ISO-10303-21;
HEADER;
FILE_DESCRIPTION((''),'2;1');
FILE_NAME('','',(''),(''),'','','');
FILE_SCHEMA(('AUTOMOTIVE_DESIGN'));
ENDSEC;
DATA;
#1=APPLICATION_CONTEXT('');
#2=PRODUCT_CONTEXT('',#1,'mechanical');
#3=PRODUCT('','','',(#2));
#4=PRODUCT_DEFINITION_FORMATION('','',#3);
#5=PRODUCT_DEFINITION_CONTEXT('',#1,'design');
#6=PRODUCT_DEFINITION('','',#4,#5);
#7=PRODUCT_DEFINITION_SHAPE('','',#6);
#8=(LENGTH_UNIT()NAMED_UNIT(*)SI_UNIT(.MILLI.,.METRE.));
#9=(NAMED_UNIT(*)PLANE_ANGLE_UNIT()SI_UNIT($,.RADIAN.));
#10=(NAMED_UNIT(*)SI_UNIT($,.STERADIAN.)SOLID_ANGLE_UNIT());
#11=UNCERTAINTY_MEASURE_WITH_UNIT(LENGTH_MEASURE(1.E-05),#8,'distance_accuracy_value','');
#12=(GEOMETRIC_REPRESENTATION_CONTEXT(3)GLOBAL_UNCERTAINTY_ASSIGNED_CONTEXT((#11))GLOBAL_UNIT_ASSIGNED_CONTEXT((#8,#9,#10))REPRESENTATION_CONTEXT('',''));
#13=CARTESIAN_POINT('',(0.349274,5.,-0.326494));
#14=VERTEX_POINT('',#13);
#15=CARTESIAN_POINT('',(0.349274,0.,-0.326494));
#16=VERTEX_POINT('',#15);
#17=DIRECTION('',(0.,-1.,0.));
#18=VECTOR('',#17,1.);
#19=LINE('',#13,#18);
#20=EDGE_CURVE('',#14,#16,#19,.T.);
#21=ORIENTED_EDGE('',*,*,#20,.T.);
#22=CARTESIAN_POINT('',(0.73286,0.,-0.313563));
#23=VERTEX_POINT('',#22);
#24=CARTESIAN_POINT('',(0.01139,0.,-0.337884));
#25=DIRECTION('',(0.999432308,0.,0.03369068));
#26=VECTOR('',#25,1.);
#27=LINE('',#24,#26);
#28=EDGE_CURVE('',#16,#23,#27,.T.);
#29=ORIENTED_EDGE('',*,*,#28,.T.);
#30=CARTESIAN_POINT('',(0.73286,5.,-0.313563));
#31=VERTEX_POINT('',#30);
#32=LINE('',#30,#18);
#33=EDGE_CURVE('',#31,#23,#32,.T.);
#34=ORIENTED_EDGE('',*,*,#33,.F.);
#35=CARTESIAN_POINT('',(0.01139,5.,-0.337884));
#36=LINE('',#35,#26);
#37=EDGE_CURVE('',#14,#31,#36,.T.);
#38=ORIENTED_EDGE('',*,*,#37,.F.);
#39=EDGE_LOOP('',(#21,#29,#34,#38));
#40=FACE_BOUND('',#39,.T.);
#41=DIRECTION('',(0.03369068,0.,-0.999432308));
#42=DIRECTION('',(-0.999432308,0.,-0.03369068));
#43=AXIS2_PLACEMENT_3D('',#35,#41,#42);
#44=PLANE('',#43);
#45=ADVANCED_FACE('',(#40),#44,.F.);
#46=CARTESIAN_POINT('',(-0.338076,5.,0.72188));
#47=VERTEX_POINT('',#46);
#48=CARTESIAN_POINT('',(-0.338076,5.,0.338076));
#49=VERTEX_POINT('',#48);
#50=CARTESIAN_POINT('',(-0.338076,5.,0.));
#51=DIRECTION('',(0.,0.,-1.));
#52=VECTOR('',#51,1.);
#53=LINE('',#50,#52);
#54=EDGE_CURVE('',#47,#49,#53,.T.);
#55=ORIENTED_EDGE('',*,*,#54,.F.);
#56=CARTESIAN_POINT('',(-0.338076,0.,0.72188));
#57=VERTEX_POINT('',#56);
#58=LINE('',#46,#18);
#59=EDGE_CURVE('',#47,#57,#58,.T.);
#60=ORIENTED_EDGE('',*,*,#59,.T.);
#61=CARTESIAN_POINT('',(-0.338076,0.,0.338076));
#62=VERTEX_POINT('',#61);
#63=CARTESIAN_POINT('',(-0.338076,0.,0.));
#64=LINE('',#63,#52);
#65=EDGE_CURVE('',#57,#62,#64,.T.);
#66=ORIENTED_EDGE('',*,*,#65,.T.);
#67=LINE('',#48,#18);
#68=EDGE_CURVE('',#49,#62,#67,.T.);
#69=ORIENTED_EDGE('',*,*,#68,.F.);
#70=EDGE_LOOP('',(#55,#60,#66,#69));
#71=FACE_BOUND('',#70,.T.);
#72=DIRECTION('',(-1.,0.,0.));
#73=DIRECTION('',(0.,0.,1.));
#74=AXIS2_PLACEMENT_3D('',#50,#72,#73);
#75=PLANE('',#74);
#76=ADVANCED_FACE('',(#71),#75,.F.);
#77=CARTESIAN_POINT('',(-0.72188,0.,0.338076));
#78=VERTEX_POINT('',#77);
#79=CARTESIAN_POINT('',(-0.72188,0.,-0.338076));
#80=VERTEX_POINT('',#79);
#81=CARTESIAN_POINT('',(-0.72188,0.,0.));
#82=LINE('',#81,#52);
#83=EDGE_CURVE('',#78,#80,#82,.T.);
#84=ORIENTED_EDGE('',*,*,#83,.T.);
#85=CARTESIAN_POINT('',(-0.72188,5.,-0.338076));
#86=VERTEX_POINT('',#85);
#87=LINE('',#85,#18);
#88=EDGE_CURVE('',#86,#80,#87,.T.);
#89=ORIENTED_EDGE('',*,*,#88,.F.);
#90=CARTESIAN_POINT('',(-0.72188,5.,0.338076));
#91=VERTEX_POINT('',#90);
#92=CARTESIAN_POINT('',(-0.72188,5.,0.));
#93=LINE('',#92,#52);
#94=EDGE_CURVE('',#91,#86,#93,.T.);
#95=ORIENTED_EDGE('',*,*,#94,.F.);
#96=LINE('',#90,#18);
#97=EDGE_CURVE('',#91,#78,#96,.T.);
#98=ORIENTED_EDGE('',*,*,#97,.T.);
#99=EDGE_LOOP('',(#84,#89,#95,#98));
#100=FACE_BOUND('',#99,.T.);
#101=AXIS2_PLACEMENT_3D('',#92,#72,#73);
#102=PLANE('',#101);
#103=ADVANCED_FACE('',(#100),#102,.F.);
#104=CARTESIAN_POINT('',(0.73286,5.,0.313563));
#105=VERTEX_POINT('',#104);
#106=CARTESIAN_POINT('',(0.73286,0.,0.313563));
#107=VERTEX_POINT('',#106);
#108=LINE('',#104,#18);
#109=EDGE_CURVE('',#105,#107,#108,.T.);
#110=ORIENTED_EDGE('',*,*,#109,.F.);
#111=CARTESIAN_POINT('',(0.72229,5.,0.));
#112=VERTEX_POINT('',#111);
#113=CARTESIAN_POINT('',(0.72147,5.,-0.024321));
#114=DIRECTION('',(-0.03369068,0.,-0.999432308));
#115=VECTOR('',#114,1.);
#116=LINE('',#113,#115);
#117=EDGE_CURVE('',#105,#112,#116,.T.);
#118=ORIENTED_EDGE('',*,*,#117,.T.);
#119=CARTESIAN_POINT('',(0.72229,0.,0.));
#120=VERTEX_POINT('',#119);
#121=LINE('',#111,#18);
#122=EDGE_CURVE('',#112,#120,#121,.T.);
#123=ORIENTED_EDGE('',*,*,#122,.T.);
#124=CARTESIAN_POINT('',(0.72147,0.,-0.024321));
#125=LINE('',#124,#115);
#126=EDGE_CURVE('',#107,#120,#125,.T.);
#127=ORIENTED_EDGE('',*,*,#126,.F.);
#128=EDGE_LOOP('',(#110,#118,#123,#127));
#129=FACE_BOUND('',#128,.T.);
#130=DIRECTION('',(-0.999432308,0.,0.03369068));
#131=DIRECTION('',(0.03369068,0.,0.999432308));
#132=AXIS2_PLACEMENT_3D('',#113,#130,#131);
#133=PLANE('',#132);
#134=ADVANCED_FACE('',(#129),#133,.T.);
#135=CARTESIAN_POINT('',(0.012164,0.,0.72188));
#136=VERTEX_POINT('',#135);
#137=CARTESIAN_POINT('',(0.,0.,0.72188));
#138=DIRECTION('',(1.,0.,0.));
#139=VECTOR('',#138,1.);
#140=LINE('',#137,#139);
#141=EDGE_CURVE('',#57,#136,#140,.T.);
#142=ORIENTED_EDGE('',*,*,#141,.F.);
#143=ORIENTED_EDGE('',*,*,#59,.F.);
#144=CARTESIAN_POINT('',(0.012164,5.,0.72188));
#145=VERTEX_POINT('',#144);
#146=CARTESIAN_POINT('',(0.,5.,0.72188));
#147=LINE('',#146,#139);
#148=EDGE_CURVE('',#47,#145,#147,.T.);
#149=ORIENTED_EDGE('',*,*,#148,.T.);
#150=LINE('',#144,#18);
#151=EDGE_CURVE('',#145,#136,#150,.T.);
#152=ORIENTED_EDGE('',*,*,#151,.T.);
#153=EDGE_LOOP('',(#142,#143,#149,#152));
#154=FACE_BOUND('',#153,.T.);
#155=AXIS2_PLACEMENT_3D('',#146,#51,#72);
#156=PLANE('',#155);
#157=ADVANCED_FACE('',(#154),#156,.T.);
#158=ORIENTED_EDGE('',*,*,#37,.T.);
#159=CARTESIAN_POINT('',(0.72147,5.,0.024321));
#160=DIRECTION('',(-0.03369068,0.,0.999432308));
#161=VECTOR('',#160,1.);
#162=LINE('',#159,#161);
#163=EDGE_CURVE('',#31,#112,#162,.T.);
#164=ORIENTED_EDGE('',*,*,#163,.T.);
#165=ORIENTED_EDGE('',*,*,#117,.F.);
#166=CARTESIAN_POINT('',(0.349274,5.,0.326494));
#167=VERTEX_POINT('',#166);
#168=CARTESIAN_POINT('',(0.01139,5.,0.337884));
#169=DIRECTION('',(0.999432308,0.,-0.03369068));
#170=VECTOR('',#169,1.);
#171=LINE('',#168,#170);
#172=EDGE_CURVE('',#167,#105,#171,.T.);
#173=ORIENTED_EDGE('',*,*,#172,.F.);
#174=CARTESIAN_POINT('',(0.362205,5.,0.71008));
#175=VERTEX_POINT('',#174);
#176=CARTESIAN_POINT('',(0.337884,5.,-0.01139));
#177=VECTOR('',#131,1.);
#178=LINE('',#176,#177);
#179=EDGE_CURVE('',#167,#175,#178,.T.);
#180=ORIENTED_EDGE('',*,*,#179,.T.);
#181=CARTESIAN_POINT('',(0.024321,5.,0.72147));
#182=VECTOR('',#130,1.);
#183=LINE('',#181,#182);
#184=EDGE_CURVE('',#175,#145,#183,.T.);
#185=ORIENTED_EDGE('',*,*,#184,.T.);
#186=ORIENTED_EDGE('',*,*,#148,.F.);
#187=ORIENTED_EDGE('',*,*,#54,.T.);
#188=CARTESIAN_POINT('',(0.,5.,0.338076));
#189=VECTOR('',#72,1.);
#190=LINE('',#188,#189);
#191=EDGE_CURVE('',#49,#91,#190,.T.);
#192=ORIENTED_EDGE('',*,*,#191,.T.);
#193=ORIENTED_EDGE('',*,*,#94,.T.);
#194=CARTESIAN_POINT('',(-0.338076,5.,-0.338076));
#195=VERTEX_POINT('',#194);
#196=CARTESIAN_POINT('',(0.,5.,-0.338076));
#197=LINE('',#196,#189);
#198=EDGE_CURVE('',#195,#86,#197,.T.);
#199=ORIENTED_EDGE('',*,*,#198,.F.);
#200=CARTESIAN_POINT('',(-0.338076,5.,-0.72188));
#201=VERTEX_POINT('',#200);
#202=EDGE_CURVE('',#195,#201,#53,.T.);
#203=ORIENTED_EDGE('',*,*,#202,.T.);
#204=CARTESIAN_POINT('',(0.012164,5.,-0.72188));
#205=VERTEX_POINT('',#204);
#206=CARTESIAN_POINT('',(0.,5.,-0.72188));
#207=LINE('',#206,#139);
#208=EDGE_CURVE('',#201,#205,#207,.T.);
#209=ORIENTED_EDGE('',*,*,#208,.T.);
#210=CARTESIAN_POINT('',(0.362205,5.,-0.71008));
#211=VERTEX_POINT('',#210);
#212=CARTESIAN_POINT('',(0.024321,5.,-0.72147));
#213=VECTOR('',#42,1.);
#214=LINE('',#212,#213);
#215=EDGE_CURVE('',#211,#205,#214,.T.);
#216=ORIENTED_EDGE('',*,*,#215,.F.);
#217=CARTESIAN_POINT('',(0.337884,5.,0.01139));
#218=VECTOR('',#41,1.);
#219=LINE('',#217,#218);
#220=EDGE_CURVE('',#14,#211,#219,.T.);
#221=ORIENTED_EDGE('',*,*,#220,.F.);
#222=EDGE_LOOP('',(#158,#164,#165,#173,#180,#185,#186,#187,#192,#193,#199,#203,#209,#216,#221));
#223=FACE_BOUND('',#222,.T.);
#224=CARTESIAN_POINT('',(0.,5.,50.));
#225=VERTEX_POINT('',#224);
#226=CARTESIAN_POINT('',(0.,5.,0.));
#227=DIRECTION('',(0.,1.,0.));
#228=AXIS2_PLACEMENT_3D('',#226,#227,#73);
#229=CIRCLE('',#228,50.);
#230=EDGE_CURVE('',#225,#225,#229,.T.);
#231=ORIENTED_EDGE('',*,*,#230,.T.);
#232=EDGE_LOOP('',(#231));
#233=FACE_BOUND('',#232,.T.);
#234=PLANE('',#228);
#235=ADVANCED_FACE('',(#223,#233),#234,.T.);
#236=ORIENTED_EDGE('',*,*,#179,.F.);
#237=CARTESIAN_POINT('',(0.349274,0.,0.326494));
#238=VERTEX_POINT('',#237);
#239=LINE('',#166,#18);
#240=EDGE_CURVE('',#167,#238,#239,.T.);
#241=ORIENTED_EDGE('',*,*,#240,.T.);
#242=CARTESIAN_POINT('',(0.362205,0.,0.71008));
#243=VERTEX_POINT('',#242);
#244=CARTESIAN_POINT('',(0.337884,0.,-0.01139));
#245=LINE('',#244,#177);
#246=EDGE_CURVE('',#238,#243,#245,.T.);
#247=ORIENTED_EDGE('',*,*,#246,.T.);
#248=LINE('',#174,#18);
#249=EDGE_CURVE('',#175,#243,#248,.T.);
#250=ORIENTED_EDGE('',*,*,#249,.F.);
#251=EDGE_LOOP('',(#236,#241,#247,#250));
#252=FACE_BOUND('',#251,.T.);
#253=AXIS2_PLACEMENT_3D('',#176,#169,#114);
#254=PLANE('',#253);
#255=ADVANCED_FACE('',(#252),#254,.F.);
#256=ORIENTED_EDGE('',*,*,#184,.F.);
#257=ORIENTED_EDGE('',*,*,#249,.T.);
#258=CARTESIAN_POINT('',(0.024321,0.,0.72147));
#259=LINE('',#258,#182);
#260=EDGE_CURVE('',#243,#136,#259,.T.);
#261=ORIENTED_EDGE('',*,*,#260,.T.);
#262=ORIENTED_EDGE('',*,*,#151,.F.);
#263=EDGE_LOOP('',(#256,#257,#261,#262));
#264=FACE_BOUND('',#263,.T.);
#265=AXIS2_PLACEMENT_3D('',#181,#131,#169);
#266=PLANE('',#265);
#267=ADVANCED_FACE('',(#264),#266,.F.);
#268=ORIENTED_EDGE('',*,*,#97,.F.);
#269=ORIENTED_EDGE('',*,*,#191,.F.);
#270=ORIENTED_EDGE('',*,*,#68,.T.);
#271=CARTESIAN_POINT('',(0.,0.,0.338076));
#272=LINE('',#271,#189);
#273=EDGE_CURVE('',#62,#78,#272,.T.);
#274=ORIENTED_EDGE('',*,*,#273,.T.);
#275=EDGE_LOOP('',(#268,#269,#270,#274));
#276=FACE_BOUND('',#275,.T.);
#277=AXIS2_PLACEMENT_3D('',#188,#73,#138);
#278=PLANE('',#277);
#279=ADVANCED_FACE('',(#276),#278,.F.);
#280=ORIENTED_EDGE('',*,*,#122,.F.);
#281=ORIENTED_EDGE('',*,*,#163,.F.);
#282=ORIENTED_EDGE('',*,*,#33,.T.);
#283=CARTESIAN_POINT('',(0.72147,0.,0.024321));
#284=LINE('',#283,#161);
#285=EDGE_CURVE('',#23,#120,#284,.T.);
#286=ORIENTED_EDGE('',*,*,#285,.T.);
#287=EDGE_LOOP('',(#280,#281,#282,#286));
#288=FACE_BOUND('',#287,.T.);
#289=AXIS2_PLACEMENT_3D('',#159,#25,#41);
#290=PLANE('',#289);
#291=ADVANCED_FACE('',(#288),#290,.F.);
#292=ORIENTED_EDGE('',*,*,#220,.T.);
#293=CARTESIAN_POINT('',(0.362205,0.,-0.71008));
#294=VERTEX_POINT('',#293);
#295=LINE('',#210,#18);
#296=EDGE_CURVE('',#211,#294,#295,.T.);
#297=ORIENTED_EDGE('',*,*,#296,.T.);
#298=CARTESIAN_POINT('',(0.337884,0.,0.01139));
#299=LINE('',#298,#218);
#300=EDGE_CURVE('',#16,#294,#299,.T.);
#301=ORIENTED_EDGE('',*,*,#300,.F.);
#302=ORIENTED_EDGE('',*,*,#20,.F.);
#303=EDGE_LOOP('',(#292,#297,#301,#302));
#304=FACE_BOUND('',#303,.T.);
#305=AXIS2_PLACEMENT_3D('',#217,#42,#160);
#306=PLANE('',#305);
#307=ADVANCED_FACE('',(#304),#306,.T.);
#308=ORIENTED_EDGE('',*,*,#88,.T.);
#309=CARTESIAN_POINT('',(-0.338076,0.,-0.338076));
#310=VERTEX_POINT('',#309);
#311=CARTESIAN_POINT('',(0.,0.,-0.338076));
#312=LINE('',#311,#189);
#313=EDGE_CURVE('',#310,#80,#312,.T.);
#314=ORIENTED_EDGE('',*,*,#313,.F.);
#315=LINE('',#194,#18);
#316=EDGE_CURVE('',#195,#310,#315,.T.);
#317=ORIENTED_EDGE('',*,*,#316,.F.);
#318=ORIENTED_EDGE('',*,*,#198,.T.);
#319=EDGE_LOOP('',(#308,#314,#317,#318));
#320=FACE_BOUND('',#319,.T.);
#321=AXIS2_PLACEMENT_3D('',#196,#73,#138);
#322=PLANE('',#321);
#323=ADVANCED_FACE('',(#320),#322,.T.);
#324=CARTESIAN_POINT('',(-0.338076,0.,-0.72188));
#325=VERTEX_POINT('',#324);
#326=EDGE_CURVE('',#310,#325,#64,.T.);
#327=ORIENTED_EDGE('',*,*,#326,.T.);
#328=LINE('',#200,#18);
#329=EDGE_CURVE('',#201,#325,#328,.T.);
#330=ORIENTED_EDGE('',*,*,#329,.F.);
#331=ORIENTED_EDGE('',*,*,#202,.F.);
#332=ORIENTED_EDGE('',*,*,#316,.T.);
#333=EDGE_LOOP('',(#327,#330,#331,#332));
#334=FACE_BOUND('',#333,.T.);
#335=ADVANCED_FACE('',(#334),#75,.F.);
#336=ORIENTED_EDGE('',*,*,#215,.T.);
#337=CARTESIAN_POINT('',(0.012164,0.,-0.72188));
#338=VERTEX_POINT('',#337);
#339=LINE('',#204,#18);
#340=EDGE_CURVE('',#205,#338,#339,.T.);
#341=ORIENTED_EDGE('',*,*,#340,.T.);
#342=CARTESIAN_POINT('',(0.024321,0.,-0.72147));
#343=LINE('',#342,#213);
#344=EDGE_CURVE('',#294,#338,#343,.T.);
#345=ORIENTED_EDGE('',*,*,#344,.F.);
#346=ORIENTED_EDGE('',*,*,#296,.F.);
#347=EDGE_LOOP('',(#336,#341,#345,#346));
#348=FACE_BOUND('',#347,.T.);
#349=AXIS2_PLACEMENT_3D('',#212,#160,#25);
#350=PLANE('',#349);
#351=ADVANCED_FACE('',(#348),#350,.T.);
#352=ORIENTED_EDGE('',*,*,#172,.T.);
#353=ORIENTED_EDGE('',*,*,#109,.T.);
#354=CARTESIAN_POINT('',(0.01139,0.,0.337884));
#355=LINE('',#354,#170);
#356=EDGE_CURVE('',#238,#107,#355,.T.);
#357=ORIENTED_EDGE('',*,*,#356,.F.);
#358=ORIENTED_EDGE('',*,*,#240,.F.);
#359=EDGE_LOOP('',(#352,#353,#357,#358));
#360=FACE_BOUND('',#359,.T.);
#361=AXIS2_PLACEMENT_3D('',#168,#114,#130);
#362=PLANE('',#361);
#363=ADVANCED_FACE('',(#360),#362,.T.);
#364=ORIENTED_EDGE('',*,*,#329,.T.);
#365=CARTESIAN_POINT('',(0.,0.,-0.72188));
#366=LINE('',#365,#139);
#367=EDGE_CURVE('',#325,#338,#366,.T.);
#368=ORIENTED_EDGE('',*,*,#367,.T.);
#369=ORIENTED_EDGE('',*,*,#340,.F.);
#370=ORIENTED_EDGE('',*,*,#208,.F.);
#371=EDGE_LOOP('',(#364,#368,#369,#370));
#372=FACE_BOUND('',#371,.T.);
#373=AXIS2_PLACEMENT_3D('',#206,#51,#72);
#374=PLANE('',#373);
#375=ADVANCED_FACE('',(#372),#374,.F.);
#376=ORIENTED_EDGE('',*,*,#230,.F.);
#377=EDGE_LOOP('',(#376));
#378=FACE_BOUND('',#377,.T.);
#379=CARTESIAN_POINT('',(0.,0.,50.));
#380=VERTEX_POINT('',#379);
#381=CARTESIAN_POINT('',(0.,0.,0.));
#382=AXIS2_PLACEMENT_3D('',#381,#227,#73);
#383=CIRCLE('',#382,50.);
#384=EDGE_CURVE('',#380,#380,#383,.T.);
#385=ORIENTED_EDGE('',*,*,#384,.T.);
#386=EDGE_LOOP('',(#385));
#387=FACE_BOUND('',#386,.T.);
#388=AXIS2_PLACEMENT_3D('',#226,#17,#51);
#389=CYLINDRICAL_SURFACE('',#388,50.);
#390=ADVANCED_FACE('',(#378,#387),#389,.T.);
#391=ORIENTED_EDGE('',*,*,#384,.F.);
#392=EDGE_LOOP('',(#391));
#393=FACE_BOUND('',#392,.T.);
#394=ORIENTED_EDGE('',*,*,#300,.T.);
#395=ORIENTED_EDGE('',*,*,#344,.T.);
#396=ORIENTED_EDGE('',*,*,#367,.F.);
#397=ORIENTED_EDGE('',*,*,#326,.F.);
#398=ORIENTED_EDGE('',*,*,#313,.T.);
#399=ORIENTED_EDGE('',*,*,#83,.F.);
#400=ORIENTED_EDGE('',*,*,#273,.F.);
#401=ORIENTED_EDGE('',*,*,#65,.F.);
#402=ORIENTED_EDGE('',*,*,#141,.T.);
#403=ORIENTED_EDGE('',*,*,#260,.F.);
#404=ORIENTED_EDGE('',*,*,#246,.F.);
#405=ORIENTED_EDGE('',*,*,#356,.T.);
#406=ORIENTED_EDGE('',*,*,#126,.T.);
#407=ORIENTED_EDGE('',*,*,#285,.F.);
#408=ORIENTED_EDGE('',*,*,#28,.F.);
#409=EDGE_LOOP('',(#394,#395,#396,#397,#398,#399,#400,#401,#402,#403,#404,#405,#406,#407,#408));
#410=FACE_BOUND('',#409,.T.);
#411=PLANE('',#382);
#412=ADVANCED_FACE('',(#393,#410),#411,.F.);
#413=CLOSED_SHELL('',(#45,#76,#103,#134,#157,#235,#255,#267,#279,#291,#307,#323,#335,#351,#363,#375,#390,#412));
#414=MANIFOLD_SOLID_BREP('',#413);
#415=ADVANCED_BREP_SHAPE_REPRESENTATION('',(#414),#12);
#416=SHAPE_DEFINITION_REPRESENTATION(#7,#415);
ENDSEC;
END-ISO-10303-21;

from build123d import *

# Parameters (mm, degrees)
SKETCH1_R           = 50
BOSS_EXTRUDE1_DEPTH = 5


with BuildPart() as part:
    # Sketch1 → Boss-Extrude1 (new body)
    with BuildSketch(Plane(origin=(0, 0, 0), x_dir=(1, 0, 0), z_dir=(0, 1, 0))):
        Circle(SKETCH1_R)
        Polygon((0.012163769, -0.721880139), (-0.338076022, -0.721880139), (-0.338076022, -0.338076022), (-0.721880139, -0.338076022), (-0.721880139, -0.012163769), (-0.721880139, 0.012163769), (-0.721880139, 0.338076022), (-0.338076022, 0.338076022), (-0.338076022, 0.721880139), (0.012163769, 0.721880139), (0.362204732, 0.710080322), (0.34927411, 0.326494088), (0.732860345, 0.313563466), (0.722290178, 0), (0.732860345, -0.313563466), (0.34927411, -0.326494088), (0.362204732, -0.710080322), align=None, mode=Mode.SUBTRACT)
    extrude(amount=BOSS_EXTRUDE1_DEPTH)


solid = part.part
